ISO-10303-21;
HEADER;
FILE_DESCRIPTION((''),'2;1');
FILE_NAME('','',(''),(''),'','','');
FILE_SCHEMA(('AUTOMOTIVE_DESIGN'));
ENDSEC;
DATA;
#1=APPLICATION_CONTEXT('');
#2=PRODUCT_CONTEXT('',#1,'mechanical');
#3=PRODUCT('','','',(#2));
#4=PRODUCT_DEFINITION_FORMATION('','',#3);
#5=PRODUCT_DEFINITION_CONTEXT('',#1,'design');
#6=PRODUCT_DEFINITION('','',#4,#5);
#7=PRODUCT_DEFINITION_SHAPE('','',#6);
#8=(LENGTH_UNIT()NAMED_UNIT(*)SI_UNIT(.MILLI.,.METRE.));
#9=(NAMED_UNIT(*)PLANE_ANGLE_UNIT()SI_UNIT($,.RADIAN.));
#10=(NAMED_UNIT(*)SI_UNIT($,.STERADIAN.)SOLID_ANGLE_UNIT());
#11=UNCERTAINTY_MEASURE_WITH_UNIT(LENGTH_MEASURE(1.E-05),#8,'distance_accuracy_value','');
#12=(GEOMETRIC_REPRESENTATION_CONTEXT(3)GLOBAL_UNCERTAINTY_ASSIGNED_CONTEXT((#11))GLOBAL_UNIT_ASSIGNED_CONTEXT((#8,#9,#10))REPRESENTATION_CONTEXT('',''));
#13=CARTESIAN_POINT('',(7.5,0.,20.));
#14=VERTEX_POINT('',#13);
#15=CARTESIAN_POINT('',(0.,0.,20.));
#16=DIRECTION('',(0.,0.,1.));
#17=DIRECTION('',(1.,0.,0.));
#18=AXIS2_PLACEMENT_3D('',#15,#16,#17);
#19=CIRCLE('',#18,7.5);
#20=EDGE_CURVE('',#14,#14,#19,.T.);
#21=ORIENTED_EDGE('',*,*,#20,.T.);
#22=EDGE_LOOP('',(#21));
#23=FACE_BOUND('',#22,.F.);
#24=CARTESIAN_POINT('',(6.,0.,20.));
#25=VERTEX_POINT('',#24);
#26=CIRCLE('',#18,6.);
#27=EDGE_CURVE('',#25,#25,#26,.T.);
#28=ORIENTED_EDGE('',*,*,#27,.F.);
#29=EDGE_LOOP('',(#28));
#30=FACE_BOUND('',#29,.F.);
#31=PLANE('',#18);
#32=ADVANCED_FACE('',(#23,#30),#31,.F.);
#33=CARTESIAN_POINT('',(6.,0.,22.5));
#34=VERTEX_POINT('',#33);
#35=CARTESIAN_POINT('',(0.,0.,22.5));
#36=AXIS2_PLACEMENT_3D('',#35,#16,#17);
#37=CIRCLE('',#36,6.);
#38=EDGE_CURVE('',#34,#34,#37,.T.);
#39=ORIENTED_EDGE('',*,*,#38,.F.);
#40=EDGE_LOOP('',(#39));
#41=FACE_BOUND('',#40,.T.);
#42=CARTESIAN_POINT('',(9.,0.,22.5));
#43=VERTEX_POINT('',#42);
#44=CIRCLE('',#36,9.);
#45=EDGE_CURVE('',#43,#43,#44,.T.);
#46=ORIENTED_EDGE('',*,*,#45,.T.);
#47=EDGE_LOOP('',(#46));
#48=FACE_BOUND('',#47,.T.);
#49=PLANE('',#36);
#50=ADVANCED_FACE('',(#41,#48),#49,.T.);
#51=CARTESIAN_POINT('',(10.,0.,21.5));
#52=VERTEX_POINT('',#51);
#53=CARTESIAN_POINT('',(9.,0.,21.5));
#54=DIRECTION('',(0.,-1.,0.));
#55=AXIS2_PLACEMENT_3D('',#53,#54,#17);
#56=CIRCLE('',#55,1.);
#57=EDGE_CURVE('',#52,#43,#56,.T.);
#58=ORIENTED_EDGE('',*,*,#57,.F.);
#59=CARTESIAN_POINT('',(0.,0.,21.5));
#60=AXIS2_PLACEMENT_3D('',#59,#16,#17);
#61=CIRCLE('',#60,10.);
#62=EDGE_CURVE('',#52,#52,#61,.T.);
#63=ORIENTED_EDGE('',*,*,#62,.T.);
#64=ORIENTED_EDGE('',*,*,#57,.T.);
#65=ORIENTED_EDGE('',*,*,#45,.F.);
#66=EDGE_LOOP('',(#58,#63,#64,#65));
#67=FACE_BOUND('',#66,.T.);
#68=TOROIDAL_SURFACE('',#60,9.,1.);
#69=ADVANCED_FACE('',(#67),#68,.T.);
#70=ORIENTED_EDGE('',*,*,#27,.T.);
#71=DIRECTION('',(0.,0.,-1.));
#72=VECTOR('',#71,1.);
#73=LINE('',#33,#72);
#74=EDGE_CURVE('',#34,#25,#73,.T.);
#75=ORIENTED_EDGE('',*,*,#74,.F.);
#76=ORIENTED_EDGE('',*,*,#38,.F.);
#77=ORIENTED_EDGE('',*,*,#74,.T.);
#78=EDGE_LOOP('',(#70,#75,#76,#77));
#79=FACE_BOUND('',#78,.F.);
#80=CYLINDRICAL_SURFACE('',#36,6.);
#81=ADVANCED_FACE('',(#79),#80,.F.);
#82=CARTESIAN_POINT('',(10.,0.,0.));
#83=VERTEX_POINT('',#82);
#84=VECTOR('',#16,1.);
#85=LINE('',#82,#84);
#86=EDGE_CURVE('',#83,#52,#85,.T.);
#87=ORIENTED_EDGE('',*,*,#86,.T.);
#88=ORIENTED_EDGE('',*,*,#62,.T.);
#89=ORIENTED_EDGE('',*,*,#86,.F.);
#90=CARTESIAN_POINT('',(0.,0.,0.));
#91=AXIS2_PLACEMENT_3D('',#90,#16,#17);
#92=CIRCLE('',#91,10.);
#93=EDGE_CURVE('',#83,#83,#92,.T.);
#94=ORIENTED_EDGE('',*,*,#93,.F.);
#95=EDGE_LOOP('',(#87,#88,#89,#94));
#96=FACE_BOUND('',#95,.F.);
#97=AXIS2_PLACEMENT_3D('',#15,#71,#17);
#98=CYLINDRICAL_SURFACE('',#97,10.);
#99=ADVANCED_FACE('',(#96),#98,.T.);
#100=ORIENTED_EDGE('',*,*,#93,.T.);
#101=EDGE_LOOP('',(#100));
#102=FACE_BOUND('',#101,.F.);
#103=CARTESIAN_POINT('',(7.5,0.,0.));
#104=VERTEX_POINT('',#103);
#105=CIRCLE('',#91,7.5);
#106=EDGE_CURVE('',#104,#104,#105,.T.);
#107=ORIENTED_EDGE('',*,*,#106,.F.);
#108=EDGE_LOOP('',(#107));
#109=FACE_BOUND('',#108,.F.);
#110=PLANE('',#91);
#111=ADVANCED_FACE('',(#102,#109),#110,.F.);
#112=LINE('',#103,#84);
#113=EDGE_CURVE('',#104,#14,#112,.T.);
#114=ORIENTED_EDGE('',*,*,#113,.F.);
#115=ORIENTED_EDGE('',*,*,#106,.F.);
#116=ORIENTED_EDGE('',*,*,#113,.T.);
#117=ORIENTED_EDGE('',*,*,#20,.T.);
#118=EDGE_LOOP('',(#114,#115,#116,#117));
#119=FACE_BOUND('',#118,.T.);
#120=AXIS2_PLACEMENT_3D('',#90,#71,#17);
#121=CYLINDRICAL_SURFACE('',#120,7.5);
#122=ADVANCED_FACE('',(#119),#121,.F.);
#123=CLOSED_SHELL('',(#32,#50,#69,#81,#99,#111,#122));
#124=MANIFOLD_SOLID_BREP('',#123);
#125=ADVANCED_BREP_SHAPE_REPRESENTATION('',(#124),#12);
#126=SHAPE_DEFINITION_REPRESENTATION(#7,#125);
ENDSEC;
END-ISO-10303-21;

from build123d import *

# Parameters (mm, degrees)
SKETCH1_R           = 10
SKETCH1_R_2         = 7.5
BOSS_EXTRUDE1_DEPTH = 20
SKETCH2_R           = 10
BOSS_EXTRUDE2_DEPTH = 2.5
SKETCH3_R           = 6
CUT_EXTRUDE1_DEPTH  = 2.5
FILLET1_R           = 1


with BuildPart() as part:
    # Sketch1 → Boss-Extrude1 (new body)
    with BuildSketch(Plane.XY):
        Circle(SKETCH1_R)
        Circle(SKETCH1_R_2, mode=Mode.SUBTRACT)
    extrude(amount=BOSS_EXTRUDE1_DEPTH)

    # Sketch2 → Boss-Extrude2 (add)
    with BuildSketch(Plane.XY.offset(20)):
        Circle(SKETCH2_R)
    extrude(amount=BOSS_EXTRUDE2_DEPTH)

    # Sketch3 → Cut-Extrude1 (cut)
    with BuildSketch(Plane.XY.offset(22.5)):
        Circle(SKETCH3_R)
    extrude(amount=-CUT_EXTRUDE1_DEPTH, mode=Mode.SUBTRACT)

    # Fillet1
    fillet1_edges = [part.edges().sort_by_distance(p)[0] for p in [
        (-10, 0, 22.5),
    ]]
    fillet(fillet1_edges, radius=FILLET1_R)


solid = part.part
